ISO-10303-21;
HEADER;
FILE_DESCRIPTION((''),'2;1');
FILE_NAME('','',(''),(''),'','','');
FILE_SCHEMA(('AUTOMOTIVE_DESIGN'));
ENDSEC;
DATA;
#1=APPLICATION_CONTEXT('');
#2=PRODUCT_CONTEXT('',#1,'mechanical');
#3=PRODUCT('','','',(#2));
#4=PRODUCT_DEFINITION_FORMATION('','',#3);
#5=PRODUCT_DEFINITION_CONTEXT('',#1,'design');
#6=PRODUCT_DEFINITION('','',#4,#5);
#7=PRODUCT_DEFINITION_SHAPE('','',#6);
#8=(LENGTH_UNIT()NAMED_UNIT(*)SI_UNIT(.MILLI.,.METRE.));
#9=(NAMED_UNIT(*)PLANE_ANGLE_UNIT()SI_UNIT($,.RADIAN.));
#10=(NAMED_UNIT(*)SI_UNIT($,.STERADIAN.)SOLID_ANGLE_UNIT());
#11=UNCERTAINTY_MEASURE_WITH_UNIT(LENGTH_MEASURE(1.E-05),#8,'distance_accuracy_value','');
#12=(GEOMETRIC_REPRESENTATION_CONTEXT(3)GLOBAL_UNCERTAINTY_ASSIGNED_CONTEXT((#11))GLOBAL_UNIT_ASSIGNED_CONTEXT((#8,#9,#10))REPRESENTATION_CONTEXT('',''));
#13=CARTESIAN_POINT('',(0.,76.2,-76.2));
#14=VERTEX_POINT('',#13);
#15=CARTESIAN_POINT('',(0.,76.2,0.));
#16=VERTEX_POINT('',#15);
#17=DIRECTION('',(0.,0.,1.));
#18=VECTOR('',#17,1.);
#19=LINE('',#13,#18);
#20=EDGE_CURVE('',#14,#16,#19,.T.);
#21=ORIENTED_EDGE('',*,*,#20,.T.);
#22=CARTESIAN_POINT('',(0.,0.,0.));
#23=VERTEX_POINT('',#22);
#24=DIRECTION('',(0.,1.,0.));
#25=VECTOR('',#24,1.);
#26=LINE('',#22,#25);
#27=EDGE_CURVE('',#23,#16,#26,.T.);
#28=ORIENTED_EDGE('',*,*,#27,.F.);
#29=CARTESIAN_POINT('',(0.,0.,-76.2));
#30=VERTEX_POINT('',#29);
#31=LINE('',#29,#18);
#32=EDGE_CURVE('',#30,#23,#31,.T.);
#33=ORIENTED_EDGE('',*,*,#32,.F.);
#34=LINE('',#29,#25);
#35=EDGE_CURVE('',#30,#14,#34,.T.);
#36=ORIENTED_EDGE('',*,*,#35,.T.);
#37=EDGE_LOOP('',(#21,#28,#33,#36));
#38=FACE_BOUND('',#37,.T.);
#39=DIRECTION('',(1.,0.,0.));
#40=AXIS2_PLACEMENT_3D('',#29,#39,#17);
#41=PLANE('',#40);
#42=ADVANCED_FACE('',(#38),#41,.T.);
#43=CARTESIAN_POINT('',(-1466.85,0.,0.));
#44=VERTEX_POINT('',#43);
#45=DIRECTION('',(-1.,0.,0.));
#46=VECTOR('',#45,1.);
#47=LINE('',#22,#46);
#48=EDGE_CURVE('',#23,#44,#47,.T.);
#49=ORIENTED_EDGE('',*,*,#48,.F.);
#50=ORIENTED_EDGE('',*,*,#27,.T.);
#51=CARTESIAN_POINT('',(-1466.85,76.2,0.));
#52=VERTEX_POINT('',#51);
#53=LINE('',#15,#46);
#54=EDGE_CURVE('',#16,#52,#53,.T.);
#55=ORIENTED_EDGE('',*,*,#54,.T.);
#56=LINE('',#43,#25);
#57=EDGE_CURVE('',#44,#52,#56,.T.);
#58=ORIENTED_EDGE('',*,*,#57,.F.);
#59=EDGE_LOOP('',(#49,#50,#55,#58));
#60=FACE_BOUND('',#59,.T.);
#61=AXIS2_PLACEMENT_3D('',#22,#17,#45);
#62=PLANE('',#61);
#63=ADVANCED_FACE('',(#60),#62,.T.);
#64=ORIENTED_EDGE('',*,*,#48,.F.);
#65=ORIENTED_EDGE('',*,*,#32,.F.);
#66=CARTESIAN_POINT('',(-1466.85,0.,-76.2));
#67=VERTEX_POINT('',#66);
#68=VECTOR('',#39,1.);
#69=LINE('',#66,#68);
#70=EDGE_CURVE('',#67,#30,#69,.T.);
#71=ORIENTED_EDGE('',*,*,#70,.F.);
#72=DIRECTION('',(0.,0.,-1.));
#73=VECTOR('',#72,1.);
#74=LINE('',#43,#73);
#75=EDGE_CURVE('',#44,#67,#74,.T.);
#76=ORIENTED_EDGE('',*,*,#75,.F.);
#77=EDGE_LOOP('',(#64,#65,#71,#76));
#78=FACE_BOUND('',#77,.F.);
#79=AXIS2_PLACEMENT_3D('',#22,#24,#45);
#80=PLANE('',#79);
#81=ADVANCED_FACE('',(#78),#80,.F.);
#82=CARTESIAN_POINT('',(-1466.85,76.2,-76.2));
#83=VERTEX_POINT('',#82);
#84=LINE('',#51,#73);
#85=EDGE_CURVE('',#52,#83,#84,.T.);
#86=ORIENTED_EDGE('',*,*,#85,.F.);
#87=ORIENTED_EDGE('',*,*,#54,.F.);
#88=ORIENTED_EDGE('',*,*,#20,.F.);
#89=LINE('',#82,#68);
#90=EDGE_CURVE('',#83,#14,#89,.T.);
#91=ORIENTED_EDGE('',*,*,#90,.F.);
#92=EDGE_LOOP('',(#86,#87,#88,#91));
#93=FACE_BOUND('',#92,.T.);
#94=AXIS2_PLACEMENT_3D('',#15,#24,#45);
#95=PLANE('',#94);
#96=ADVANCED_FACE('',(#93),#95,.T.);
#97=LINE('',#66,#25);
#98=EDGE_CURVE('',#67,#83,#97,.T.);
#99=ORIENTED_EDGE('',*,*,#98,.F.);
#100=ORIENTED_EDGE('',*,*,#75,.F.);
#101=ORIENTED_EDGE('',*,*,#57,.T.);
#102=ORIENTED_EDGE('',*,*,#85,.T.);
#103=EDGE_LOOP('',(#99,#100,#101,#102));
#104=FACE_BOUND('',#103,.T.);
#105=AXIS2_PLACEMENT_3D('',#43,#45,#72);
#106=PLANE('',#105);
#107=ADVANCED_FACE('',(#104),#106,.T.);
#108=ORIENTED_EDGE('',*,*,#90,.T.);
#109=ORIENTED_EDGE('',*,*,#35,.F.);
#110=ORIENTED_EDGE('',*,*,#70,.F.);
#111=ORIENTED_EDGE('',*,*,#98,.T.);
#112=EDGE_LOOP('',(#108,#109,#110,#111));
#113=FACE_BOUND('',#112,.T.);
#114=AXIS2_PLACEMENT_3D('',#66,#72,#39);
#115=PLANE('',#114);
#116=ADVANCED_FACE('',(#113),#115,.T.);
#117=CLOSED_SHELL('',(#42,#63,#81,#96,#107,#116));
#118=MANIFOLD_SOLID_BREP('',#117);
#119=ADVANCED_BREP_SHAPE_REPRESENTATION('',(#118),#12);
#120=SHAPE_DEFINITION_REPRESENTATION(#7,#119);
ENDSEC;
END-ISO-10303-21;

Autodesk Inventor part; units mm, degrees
ref_plane "YZ Plane" through (0, 0, 0) normal (1, 0, 0) x (0, 1, 0)
ref_plane "XZ Plane" through (0, 0, 0) normal (0, 1, 0) x (-1, 0, 0)
ref_plane "XY Plane" through (0, 0, 0) normal (0, 0, 1) x (1, 0, 0)
sketch "Sketch1" plane through (0, 0, 0) normal (0, 1, 0) x (-1, 0, 0)
  line L0 (0, 0) -> (1466.85, 0)
  line L1 (1466.85, 0) -> (1466.85, -76.2)
  line L2 (1466.85, -76.2) -> (0, -76.2)
  line L3 (0, -76.2) -> (0, 0)
  dimension "d0" = 1466.85
  dimension "d1" = 76.2
extrude "Extrusion1" add sketch "Sketch1" along normal blind 76.2
properties part number "Solor Cleaner - Water Dispecer"
